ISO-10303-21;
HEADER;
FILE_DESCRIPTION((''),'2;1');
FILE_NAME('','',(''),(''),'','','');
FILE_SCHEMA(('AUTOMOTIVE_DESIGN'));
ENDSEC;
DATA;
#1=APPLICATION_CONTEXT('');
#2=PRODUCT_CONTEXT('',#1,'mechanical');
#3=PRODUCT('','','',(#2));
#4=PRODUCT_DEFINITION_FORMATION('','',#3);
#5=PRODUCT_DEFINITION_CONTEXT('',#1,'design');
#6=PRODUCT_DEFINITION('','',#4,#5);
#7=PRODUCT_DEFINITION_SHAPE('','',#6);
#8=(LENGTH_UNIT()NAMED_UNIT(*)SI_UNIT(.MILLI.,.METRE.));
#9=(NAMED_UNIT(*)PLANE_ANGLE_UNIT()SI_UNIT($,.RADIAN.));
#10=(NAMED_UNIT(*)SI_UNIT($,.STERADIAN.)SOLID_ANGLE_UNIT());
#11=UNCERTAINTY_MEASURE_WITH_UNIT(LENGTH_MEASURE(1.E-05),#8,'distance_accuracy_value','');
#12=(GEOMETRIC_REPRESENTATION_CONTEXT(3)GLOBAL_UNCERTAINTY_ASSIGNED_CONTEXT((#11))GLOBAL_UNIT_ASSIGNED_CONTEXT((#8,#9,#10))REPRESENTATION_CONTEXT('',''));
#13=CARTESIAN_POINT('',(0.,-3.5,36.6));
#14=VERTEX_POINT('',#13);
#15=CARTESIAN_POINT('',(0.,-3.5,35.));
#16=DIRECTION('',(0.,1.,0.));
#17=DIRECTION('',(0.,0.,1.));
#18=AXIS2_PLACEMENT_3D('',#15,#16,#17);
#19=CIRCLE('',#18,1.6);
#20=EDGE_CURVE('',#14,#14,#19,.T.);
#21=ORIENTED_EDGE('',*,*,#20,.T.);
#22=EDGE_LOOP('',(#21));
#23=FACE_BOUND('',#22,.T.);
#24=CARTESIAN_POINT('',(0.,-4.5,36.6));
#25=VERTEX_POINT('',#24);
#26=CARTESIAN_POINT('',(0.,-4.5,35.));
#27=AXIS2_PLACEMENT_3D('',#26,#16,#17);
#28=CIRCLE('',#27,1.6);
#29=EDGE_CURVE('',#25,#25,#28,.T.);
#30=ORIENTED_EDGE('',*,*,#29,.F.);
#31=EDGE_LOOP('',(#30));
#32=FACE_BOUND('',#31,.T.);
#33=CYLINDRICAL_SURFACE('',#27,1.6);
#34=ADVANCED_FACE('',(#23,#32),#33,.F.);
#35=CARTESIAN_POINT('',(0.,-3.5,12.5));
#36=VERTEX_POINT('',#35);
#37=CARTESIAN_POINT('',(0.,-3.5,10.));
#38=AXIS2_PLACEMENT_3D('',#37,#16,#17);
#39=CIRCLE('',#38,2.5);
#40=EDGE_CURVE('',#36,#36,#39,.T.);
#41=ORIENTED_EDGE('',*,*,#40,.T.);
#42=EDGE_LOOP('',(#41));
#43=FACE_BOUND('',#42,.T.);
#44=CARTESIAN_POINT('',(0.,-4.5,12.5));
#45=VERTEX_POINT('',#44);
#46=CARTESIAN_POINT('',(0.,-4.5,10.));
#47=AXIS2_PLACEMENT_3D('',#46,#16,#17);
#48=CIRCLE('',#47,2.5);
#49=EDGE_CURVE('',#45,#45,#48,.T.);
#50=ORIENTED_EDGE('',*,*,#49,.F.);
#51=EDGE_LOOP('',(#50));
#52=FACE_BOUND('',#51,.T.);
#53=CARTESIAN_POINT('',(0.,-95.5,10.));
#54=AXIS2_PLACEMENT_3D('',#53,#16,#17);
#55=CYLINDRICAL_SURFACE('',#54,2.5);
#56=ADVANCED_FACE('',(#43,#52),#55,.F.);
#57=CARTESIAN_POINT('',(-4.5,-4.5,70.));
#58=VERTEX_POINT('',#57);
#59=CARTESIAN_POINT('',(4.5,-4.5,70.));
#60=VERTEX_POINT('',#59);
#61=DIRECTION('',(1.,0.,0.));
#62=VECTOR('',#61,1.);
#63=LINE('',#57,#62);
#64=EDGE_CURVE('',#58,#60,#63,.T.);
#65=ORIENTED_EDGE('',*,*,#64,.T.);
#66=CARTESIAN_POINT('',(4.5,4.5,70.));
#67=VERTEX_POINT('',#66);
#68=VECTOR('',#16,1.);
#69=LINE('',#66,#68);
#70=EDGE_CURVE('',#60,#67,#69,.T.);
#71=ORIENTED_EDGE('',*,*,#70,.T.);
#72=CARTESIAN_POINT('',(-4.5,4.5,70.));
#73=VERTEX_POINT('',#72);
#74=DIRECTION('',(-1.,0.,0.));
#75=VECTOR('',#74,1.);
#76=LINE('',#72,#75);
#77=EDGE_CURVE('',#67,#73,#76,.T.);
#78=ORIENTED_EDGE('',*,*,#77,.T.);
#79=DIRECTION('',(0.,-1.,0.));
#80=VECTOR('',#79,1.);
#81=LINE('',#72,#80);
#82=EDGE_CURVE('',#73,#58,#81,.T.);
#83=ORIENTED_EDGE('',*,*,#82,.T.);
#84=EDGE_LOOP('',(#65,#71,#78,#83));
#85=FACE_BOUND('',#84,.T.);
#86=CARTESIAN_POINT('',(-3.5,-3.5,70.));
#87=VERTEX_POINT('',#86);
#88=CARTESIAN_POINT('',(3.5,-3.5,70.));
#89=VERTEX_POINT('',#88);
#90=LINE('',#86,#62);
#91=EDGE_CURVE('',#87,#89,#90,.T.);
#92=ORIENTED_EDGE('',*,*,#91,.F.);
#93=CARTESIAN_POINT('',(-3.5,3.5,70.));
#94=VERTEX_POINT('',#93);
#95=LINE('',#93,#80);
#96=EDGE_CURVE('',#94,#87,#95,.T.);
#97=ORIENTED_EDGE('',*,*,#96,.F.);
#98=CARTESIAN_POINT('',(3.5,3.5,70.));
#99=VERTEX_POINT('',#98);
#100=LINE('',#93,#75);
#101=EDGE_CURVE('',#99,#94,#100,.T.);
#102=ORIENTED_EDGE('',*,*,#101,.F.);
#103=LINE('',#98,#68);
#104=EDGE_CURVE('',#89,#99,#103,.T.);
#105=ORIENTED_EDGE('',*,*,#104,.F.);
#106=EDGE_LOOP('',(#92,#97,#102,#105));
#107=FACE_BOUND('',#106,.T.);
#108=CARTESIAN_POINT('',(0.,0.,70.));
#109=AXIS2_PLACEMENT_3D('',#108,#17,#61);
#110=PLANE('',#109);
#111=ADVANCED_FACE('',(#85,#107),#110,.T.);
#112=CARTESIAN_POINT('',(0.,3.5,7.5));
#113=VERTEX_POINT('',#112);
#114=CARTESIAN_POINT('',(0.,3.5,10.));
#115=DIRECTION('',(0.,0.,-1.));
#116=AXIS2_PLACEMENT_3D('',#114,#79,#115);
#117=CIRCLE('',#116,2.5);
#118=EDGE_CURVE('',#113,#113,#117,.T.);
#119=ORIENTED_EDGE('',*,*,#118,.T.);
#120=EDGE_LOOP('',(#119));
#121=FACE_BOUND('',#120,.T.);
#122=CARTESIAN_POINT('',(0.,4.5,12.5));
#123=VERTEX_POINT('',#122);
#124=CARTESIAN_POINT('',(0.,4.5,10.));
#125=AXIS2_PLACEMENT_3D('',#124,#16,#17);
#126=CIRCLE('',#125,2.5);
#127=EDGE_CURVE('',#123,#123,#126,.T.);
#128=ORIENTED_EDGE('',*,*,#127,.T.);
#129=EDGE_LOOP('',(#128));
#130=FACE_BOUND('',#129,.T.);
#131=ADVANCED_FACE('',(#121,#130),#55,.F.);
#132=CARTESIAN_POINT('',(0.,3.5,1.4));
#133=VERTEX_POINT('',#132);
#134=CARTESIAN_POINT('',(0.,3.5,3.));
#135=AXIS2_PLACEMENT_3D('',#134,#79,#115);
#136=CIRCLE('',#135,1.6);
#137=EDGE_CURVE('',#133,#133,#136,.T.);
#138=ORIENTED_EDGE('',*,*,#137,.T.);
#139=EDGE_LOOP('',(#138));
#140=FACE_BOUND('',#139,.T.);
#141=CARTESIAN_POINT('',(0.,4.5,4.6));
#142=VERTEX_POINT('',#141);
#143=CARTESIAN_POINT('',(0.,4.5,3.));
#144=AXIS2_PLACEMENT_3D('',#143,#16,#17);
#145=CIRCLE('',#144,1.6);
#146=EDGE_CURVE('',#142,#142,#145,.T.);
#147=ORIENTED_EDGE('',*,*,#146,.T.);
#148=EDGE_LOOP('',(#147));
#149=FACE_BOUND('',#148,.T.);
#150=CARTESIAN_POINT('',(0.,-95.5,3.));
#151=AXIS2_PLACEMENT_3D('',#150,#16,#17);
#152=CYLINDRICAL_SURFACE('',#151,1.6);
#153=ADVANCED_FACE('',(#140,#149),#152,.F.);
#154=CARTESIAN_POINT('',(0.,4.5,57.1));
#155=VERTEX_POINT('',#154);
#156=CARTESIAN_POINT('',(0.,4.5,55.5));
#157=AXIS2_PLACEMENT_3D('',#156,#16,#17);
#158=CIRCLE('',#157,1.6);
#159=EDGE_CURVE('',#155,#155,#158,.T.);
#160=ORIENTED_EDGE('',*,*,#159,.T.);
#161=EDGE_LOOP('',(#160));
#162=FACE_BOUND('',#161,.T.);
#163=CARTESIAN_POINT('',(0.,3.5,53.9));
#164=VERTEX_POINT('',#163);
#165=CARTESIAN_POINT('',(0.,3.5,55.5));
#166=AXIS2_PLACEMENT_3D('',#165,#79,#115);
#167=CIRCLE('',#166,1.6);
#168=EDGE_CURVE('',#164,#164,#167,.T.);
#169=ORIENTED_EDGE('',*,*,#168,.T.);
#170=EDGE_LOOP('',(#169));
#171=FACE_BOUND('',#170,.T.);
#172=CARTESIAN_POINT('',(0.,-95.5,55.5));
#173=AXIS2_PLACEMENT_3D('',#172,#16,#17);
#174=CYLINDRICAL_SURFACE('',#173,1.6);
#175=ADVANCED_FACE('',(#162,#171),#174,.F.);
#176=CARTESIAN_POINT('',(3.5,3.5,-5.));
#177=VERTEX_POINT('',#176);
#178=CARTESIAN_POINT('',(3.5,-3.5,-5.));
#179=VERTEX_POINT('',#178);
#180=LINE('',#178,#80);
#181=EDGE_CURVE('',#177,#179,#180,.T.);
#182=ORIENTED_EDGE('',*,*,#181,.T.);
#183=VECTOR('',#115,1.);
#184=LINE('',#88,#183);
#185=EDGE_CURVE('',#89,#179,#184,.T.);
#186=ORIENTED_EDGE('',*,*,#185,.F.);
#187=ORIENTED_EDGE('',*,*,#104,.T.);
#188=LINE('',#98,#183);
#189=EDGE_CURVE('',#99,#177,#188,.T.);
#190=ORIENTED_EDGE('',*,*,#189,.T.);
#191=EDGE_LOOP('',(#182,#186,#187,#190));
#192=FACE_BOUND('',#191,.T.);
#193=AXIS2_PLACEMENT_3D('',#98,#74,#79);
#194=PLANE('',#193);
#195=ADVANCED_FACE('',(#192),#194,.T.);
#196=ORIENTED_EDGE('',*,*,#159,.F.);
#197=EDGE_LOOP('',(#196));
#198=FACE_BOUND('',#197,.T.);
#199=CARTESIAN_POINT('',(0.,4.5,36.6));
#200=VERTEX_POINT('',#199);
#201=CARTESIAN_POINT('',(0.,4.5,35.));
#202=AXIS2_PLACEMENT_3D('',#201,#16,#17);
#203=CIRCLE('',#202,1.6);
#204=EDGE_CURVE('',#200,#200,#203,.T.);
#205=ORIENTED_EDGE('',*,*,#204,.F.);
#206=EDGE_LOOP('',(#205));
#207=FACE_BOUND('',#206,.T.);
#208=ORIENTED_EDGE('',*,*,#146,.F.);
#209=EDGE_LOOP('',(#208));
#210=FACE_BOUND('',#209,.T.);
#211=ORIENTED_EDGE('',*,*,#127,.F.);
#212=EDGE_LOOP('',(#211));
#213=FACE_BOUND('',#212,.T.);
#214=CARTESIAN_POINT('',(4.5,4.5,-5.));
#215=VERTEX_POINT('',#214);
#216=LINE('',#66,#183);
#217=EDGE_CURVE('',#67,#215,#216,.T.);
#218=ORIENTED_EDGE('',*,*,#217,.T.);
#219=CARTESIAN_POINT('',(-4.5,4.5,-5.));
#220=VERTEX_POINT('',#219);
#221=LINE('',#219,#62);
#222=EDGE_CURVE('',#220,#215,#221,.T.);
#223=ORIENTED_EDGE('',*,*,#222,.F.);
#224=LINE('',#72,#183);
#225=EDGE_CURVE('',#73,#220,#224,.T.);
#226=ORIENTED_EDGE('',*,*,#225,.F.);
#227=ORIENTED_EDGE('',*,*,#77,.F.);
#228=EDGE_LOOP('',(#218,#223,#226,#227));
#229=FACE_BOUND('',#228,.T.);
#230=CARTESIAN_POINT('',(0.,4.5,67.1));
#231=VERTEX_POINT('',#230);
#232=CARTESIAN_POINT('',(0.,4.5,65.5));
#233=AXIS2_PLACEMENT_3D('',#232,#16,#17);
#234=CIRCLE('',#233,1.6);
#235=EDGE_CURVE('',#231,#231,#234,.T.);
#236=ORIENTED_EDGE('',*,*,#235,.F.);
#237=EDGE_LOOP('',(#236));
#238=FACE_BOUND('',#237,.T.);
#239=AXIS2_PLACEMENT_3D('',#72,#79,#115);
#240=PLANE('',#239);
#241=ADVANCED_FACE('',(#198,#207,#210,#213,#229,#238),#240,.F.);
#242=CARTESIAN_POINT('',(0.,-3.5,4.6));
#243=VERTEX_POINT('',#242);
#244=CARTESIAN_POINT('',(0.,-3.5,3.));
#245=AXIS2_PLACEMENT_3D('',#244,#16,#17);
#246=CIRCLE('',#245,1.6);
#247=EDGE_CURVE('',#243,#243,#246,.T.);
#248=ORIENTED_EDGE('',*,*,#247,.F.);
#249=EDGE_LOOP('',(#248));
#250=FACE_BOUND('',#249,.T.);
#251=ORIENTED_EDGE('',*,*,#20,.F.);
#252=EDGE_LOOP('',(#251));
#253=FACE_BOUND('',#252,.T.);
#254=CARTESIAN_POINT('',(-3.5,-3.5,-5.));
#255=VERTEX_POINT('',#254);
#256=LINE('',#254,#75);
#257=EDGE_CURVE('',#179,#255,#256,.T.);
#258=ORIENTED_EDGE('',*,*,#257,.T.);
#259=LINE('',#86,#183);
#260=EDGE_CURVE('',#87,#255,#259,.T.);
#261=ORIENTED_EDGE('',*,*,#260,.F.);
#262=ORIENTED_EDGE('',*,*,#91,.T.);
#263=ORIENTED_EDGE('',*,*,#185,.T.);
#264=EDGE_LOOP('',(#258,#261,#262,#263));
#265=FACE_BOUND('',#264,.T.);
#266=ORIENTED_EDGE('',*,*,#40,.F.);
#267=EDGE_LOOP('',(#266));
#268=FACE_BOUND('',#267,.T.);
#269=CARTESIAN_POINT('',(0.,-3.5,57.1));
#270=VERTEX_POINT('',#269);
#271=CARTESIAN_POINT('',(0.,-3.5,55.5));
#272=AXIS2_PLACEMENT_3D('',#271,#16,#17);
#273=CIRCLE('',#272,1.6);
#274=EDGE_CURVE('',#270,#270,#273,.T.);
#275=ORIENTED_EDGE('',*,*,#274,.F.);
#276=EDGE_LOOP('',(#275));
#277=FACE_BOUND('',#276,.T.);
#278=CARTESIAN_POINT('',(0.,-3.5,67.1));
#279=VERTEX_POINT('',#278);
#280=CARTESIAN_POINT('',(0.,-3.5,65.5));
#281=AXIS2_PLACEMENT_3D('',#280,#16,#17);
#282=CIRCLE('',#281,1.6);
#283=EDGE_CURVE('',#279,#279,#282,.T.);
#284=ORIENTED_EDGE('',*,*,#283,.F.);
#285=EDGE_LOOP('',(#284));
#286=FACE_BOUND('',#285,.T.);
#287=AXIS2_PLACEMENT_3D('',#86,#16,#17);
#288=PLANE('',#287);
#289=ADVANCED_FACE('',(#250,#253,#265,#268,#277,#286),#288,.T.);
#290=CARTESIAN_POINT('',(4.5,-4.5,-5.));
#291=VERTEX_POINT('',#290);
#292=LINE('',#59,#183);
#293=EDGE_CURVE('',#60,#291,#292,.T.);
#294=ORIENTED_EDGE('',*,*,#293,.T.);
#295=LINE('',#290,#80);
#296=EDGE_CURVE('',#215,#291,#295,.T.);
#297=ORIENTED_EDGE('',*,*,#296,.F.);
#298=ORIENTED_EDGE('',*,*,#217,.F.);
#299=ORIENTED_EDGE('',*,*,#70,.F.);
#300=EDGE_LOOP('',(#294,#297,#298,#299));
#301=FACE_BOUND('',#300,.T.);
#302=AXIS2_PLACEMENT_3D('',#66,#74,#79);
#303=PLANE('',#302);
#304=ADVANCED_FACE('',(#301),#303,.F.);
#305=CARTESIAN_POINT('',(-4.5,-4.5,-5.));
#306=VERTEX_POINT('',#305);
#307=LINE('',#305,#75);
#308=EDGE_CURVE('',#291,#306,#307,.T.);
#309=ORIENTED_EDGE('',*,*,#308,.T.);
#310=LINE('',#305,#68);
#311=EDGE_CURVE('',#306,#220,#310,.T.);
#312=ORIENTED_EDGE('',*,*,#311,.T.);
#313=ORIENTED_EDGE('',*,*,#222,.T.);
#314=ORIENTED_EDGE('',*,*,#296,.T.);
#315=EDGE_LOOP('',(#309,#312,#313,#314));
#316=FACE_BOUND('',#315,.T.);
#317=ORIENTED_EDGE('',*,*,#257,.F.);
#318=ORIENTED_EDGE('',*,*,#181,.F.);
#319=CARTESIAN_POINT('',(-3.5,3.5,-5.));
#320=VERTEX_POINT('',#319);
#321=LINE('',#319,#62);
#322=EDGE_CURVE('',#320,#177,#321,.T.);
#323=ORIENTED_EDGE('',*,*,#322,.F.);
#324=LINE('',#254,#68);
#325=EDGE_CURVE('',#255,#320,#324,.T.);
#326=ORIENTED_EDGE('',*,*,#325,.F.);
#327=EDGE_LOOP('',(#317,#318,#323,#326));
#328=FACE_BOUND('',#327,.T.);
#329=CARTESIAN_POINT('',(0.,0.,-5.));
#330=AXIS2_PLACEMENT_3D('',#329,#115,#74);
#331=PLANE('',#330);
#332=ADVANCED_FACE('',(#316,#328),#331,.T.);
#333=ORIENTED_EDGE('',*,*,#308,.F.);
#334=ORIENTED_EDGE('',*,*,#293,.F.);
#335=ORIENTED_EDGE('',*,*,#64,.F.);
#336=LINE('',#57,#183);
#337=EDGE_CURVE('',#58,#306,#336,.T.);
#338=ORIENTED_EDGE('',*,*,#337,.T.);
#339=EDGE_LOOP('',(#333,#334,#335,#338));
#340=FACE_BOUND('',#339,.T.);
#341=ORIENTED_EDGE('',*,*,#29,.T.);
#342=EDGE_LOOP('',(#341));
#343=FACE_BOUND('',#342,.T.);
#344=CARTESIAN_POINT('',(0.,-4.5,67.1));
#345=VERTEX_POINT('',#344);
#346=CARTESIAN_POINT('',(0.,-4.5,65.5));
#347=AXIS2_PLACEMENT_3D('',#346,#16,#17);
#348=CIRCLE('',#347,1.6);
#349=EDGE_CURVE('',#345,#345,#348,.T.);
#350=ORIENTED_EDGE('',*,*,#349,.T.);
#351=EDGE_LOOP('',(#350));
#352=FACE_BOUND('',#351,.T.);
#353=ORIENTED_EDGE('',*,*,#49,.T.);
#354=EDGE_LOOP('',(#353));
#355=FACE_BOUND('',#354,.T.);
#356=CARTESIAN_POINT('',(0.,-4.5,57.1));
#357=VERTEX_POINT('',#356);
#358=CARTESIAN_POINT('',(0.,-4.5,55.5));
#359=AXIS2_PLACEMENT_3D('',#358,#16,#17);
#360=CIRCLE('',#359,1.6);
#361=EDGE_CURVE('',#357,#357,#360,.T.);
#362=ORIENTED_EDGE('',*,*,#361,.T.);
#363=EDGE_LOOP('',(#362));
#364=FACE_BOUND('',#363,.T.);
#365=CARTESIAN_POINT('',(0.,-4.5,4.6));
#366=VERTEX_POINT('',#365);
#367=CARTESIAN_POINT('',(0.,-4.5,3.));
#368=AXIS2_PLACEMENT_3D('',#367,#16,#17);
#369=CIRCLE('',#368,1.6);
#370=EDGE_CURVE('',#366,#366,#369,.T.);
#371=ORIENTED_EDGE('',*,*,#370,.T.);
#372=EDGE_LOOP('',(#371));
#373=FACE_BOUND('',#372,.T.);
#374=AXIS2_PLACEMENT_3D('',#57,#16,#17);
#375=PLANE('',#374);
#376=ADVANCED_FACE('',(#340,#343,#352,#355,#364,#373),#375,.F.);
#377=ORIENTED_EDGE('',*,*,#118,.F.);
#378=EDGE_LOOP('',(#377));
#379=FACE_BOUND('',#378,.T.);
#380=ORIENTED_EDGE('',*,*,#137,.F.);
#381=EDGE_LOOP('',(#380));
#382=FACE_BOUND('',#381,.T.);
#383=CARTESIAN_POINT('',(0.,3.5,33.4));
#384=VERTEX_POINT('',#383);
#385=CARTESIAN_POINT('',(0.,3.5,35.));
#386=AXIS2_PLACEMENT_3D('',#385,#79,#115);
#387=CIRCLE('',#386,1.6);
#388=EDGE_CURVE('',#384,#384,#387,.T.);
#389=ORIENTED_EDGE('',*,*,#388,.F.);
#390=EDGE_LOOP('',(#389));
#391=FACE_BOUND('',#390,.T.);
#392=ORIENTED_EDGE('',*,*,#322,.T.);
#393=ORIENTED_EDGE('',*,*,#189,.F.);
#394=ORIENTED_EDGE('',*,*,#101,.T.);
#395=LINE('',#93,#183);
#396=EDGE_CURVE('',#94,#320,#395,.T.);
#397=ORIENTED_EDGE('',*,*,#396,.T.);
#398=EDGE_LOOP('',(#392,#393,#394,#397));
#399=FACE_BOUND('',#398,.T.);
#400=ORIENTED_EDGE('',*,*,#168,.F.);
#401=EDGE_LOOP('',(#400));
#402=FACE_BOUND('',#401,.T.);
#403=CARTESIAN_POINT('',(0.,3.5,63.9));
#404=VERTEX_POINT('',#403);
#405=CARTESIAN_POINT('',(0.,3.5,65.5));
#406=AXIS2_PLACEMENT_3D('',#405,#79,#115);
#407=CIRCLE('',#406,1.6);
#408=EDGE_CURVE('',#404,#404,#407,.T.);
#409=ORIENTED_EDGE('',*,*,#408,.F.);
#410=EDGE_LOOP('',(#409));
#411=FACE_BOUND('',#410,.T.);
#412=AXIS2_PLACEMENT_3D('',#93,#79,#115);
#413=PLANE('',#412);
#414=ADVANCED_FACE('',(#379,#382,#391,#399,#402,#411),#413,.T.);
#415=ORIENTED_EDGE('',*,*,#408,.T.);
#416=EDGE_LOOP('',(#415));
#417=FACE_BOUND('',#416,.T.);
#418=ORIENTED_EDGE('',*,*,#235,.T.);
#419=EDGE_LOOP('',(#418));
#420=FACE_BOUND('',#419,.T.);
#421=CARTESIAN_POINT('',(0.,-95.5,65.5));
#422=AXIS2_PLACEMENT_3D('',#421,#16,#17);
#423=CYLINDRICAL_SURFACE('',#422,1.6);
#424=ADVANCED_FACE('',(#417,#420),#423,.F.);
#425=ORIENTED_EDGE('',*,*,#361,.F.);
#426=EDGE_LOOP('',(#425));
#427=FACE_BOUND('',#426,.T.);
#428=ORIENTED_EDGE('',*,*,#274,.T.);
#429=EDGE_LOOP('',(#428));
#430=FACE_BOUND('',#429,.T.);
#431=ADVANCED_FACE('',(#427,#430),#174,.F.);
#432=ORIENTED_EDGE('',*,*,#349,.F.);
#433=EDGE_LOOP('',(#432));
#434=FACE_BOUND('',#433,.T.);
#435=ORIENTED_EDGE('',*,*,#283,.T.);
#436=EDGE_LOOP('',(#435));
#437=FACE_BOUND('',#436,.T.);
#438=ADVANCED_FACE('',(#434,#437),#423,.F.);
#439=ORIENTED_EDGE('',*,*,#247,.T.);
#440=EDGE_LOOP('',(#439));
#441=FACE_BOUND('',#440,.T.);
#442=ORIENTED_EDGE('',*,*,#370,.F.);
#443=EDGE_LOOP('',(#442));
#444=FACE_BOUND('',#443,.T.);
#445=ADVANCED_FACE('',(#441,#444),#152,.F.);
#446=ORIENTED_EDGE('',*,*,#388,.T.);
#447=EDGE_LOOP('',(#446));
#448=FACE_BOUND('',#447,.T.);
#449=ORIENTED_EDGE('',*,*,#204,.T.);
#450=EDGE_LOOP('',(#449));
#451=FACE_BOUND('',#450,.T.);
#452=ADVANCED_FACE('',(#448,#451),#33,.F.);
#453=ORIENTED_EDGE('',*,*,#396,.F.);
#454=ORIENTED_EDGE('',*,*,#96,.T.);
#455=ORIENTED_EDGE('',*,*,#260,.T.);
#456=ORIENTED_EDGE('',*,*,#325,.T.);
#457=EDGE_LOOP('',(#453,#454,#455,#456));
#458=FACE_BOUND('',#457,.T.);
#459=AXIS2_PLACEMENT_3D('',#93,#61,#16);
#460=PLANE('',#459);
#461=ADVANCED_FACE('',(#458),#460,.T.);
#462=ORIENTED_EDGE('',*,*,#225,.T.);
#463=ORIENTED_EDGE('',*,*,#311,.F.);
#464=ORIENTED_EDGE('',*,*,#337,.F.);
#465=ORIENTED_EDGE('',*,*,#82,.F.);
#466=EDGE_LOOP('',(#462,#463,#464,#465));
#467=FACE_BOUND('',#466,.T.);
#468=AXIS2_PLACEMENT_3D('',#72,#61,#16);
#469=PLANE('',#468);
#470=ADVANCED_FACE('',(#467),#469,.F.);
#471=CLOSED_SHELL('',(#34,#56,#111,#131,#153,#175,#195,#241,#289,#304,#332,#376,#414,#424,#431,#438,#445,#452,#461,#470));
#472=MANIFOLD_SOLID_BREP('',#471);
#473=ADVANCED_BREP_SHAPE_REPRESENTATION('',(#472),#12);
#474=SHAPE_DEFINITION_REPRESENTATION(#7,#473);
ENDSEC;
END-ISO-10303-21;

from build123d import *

# Parameters (mm, degrees)
SKETCH_1_W          = 9
SKETCH_1_H          = 9
SKETCH_1_W_2        = 7
SKETCH_1_H_2        = 7
EXTRUDE_1_DEPTH     = 70
CUT_EXTRUDE_1_DEPTH = 100
SKETCH_3_R          = 1.6
CUT_EXTRUDE_2_DEPTH = 100
SKETCH_4_R          = 1.6
CUT_EXTRUDE_3_DEPTH = 100
SKETCH_5_R          = 1.6
CUT_EXTRUDE_4_DEPTH = 10
SKETCH_6_W          = 9
SKETCH_6_H          = 9
SKETCH_6_W_2        = 7
SKETCH_6_H_2        = 7
EXTRUDE_2_DEPTH     = 5


with BuildPart() as part:
    # ｽｹｯﾁ1 → ﾎﾞｽ - 押し出し1 (new body)
    with BuildSketch(Plane.XY):
        Rectangle(SKETCH_1_W, SKETCH_1_H)
        Rectangle(SKETCH_1_W_2, SKETCH_1_H_2, mode=Mode.SUBTRACT)
    extrude(amount=EXTRUDE_1_DEPTH)

    # ｽｹｯﾁ2 → ｶｯﾄ - 押し出し1 (cut)
    with BuildSketch(Plane(origin=(0, 4.5, 0), x_dir=(1, 0, 0), z_dir=(0, 1, 0))):
        with BuildLine():
            ThreePointArc((2.5, -10), (1.767766953, -8.232233047), (0, -7.5))
            Line((0, -7.5), (0, -10))
            Line((0, -10), (0, -12.5))
            ThreePointArc((0, -12.5), (1.767766953, -11.767766953), (2.5, -10))
        make_face()
        with BuildLine():
            Line((0, -10), (0, -7.5))
            ThreePointArc((0, -7.5), (-2.5, -10), (0, -12.5))
            Line((0, -12.5), (0, -10))
        make_face()
    extrude(amount=-CUT_EXTRUDE_1_DEPTH, mode=Mode.SUBTRACT)

    # ｽｹｯﾁ3 → ｶｯﾄ - 押し出し2 (cut)
    with BuildSketch(Plane(origin=(0, 4.5, 0), x_dir=(1, 0, 0), z_dir=(0, 1, 0))):
        with Locations((0, -3)):
            Circle(SKETCH_3_R)
    extrude(amount=-CUT_EXTRUDE_2_DEPTH, mode=Mode.SUBTRACT)

    # ｽｹｯﾁ4 → ｶｯﾄ - 押し出し3 (cut)
    with BuildSketch(Plane(origin=(0, 4.5, 0), x_dir=(1, 0, 0), z_dir=(0, 1, 0))):
        with Locations((0, -65.5)):
            Circle(SKETCH_4_R)
        with Locations((0, -55.5)):
            Circle(SKETCH_4_R)
    extrude(amount=-CUT_EXTRUDE_3_DEPTH, mode=Mode.SUBTRACT)

    # ｽｹｯﾁ5 → ｶｯﾄ - 押し出し4 (cut, through all)
    with BuildSketch(Plane(origin=(0, 4.5, 0), x_dir=(1, 0, 0), z_dir=(0, 1, 0))):
        with Locations((0, -35)):
            Circle(SKETCH_5_R)
    extrude(amount=-CUT_EXTRUDE_4_DEPTH, mode=Mode.SUBTRACT)

    # ｽｹｯﾁ6 → ﾎﾞｽ - 押し出し2 (add)
    with BuildSketch(Plane(origin=(0, 0, 0), x_dir=(-1, 0, 0), z_dir=(0, 0, -1))):
        Rectangle(SKETCH_6_W, SKETCH_6_H)
        Rectangle(SKETCH_6_W_2, SKETCH_6_H_2, mode=Mode.SUBTRACT)
    extrude(amount=EXTRUDE_2_DEPTH)


solid = part.part
